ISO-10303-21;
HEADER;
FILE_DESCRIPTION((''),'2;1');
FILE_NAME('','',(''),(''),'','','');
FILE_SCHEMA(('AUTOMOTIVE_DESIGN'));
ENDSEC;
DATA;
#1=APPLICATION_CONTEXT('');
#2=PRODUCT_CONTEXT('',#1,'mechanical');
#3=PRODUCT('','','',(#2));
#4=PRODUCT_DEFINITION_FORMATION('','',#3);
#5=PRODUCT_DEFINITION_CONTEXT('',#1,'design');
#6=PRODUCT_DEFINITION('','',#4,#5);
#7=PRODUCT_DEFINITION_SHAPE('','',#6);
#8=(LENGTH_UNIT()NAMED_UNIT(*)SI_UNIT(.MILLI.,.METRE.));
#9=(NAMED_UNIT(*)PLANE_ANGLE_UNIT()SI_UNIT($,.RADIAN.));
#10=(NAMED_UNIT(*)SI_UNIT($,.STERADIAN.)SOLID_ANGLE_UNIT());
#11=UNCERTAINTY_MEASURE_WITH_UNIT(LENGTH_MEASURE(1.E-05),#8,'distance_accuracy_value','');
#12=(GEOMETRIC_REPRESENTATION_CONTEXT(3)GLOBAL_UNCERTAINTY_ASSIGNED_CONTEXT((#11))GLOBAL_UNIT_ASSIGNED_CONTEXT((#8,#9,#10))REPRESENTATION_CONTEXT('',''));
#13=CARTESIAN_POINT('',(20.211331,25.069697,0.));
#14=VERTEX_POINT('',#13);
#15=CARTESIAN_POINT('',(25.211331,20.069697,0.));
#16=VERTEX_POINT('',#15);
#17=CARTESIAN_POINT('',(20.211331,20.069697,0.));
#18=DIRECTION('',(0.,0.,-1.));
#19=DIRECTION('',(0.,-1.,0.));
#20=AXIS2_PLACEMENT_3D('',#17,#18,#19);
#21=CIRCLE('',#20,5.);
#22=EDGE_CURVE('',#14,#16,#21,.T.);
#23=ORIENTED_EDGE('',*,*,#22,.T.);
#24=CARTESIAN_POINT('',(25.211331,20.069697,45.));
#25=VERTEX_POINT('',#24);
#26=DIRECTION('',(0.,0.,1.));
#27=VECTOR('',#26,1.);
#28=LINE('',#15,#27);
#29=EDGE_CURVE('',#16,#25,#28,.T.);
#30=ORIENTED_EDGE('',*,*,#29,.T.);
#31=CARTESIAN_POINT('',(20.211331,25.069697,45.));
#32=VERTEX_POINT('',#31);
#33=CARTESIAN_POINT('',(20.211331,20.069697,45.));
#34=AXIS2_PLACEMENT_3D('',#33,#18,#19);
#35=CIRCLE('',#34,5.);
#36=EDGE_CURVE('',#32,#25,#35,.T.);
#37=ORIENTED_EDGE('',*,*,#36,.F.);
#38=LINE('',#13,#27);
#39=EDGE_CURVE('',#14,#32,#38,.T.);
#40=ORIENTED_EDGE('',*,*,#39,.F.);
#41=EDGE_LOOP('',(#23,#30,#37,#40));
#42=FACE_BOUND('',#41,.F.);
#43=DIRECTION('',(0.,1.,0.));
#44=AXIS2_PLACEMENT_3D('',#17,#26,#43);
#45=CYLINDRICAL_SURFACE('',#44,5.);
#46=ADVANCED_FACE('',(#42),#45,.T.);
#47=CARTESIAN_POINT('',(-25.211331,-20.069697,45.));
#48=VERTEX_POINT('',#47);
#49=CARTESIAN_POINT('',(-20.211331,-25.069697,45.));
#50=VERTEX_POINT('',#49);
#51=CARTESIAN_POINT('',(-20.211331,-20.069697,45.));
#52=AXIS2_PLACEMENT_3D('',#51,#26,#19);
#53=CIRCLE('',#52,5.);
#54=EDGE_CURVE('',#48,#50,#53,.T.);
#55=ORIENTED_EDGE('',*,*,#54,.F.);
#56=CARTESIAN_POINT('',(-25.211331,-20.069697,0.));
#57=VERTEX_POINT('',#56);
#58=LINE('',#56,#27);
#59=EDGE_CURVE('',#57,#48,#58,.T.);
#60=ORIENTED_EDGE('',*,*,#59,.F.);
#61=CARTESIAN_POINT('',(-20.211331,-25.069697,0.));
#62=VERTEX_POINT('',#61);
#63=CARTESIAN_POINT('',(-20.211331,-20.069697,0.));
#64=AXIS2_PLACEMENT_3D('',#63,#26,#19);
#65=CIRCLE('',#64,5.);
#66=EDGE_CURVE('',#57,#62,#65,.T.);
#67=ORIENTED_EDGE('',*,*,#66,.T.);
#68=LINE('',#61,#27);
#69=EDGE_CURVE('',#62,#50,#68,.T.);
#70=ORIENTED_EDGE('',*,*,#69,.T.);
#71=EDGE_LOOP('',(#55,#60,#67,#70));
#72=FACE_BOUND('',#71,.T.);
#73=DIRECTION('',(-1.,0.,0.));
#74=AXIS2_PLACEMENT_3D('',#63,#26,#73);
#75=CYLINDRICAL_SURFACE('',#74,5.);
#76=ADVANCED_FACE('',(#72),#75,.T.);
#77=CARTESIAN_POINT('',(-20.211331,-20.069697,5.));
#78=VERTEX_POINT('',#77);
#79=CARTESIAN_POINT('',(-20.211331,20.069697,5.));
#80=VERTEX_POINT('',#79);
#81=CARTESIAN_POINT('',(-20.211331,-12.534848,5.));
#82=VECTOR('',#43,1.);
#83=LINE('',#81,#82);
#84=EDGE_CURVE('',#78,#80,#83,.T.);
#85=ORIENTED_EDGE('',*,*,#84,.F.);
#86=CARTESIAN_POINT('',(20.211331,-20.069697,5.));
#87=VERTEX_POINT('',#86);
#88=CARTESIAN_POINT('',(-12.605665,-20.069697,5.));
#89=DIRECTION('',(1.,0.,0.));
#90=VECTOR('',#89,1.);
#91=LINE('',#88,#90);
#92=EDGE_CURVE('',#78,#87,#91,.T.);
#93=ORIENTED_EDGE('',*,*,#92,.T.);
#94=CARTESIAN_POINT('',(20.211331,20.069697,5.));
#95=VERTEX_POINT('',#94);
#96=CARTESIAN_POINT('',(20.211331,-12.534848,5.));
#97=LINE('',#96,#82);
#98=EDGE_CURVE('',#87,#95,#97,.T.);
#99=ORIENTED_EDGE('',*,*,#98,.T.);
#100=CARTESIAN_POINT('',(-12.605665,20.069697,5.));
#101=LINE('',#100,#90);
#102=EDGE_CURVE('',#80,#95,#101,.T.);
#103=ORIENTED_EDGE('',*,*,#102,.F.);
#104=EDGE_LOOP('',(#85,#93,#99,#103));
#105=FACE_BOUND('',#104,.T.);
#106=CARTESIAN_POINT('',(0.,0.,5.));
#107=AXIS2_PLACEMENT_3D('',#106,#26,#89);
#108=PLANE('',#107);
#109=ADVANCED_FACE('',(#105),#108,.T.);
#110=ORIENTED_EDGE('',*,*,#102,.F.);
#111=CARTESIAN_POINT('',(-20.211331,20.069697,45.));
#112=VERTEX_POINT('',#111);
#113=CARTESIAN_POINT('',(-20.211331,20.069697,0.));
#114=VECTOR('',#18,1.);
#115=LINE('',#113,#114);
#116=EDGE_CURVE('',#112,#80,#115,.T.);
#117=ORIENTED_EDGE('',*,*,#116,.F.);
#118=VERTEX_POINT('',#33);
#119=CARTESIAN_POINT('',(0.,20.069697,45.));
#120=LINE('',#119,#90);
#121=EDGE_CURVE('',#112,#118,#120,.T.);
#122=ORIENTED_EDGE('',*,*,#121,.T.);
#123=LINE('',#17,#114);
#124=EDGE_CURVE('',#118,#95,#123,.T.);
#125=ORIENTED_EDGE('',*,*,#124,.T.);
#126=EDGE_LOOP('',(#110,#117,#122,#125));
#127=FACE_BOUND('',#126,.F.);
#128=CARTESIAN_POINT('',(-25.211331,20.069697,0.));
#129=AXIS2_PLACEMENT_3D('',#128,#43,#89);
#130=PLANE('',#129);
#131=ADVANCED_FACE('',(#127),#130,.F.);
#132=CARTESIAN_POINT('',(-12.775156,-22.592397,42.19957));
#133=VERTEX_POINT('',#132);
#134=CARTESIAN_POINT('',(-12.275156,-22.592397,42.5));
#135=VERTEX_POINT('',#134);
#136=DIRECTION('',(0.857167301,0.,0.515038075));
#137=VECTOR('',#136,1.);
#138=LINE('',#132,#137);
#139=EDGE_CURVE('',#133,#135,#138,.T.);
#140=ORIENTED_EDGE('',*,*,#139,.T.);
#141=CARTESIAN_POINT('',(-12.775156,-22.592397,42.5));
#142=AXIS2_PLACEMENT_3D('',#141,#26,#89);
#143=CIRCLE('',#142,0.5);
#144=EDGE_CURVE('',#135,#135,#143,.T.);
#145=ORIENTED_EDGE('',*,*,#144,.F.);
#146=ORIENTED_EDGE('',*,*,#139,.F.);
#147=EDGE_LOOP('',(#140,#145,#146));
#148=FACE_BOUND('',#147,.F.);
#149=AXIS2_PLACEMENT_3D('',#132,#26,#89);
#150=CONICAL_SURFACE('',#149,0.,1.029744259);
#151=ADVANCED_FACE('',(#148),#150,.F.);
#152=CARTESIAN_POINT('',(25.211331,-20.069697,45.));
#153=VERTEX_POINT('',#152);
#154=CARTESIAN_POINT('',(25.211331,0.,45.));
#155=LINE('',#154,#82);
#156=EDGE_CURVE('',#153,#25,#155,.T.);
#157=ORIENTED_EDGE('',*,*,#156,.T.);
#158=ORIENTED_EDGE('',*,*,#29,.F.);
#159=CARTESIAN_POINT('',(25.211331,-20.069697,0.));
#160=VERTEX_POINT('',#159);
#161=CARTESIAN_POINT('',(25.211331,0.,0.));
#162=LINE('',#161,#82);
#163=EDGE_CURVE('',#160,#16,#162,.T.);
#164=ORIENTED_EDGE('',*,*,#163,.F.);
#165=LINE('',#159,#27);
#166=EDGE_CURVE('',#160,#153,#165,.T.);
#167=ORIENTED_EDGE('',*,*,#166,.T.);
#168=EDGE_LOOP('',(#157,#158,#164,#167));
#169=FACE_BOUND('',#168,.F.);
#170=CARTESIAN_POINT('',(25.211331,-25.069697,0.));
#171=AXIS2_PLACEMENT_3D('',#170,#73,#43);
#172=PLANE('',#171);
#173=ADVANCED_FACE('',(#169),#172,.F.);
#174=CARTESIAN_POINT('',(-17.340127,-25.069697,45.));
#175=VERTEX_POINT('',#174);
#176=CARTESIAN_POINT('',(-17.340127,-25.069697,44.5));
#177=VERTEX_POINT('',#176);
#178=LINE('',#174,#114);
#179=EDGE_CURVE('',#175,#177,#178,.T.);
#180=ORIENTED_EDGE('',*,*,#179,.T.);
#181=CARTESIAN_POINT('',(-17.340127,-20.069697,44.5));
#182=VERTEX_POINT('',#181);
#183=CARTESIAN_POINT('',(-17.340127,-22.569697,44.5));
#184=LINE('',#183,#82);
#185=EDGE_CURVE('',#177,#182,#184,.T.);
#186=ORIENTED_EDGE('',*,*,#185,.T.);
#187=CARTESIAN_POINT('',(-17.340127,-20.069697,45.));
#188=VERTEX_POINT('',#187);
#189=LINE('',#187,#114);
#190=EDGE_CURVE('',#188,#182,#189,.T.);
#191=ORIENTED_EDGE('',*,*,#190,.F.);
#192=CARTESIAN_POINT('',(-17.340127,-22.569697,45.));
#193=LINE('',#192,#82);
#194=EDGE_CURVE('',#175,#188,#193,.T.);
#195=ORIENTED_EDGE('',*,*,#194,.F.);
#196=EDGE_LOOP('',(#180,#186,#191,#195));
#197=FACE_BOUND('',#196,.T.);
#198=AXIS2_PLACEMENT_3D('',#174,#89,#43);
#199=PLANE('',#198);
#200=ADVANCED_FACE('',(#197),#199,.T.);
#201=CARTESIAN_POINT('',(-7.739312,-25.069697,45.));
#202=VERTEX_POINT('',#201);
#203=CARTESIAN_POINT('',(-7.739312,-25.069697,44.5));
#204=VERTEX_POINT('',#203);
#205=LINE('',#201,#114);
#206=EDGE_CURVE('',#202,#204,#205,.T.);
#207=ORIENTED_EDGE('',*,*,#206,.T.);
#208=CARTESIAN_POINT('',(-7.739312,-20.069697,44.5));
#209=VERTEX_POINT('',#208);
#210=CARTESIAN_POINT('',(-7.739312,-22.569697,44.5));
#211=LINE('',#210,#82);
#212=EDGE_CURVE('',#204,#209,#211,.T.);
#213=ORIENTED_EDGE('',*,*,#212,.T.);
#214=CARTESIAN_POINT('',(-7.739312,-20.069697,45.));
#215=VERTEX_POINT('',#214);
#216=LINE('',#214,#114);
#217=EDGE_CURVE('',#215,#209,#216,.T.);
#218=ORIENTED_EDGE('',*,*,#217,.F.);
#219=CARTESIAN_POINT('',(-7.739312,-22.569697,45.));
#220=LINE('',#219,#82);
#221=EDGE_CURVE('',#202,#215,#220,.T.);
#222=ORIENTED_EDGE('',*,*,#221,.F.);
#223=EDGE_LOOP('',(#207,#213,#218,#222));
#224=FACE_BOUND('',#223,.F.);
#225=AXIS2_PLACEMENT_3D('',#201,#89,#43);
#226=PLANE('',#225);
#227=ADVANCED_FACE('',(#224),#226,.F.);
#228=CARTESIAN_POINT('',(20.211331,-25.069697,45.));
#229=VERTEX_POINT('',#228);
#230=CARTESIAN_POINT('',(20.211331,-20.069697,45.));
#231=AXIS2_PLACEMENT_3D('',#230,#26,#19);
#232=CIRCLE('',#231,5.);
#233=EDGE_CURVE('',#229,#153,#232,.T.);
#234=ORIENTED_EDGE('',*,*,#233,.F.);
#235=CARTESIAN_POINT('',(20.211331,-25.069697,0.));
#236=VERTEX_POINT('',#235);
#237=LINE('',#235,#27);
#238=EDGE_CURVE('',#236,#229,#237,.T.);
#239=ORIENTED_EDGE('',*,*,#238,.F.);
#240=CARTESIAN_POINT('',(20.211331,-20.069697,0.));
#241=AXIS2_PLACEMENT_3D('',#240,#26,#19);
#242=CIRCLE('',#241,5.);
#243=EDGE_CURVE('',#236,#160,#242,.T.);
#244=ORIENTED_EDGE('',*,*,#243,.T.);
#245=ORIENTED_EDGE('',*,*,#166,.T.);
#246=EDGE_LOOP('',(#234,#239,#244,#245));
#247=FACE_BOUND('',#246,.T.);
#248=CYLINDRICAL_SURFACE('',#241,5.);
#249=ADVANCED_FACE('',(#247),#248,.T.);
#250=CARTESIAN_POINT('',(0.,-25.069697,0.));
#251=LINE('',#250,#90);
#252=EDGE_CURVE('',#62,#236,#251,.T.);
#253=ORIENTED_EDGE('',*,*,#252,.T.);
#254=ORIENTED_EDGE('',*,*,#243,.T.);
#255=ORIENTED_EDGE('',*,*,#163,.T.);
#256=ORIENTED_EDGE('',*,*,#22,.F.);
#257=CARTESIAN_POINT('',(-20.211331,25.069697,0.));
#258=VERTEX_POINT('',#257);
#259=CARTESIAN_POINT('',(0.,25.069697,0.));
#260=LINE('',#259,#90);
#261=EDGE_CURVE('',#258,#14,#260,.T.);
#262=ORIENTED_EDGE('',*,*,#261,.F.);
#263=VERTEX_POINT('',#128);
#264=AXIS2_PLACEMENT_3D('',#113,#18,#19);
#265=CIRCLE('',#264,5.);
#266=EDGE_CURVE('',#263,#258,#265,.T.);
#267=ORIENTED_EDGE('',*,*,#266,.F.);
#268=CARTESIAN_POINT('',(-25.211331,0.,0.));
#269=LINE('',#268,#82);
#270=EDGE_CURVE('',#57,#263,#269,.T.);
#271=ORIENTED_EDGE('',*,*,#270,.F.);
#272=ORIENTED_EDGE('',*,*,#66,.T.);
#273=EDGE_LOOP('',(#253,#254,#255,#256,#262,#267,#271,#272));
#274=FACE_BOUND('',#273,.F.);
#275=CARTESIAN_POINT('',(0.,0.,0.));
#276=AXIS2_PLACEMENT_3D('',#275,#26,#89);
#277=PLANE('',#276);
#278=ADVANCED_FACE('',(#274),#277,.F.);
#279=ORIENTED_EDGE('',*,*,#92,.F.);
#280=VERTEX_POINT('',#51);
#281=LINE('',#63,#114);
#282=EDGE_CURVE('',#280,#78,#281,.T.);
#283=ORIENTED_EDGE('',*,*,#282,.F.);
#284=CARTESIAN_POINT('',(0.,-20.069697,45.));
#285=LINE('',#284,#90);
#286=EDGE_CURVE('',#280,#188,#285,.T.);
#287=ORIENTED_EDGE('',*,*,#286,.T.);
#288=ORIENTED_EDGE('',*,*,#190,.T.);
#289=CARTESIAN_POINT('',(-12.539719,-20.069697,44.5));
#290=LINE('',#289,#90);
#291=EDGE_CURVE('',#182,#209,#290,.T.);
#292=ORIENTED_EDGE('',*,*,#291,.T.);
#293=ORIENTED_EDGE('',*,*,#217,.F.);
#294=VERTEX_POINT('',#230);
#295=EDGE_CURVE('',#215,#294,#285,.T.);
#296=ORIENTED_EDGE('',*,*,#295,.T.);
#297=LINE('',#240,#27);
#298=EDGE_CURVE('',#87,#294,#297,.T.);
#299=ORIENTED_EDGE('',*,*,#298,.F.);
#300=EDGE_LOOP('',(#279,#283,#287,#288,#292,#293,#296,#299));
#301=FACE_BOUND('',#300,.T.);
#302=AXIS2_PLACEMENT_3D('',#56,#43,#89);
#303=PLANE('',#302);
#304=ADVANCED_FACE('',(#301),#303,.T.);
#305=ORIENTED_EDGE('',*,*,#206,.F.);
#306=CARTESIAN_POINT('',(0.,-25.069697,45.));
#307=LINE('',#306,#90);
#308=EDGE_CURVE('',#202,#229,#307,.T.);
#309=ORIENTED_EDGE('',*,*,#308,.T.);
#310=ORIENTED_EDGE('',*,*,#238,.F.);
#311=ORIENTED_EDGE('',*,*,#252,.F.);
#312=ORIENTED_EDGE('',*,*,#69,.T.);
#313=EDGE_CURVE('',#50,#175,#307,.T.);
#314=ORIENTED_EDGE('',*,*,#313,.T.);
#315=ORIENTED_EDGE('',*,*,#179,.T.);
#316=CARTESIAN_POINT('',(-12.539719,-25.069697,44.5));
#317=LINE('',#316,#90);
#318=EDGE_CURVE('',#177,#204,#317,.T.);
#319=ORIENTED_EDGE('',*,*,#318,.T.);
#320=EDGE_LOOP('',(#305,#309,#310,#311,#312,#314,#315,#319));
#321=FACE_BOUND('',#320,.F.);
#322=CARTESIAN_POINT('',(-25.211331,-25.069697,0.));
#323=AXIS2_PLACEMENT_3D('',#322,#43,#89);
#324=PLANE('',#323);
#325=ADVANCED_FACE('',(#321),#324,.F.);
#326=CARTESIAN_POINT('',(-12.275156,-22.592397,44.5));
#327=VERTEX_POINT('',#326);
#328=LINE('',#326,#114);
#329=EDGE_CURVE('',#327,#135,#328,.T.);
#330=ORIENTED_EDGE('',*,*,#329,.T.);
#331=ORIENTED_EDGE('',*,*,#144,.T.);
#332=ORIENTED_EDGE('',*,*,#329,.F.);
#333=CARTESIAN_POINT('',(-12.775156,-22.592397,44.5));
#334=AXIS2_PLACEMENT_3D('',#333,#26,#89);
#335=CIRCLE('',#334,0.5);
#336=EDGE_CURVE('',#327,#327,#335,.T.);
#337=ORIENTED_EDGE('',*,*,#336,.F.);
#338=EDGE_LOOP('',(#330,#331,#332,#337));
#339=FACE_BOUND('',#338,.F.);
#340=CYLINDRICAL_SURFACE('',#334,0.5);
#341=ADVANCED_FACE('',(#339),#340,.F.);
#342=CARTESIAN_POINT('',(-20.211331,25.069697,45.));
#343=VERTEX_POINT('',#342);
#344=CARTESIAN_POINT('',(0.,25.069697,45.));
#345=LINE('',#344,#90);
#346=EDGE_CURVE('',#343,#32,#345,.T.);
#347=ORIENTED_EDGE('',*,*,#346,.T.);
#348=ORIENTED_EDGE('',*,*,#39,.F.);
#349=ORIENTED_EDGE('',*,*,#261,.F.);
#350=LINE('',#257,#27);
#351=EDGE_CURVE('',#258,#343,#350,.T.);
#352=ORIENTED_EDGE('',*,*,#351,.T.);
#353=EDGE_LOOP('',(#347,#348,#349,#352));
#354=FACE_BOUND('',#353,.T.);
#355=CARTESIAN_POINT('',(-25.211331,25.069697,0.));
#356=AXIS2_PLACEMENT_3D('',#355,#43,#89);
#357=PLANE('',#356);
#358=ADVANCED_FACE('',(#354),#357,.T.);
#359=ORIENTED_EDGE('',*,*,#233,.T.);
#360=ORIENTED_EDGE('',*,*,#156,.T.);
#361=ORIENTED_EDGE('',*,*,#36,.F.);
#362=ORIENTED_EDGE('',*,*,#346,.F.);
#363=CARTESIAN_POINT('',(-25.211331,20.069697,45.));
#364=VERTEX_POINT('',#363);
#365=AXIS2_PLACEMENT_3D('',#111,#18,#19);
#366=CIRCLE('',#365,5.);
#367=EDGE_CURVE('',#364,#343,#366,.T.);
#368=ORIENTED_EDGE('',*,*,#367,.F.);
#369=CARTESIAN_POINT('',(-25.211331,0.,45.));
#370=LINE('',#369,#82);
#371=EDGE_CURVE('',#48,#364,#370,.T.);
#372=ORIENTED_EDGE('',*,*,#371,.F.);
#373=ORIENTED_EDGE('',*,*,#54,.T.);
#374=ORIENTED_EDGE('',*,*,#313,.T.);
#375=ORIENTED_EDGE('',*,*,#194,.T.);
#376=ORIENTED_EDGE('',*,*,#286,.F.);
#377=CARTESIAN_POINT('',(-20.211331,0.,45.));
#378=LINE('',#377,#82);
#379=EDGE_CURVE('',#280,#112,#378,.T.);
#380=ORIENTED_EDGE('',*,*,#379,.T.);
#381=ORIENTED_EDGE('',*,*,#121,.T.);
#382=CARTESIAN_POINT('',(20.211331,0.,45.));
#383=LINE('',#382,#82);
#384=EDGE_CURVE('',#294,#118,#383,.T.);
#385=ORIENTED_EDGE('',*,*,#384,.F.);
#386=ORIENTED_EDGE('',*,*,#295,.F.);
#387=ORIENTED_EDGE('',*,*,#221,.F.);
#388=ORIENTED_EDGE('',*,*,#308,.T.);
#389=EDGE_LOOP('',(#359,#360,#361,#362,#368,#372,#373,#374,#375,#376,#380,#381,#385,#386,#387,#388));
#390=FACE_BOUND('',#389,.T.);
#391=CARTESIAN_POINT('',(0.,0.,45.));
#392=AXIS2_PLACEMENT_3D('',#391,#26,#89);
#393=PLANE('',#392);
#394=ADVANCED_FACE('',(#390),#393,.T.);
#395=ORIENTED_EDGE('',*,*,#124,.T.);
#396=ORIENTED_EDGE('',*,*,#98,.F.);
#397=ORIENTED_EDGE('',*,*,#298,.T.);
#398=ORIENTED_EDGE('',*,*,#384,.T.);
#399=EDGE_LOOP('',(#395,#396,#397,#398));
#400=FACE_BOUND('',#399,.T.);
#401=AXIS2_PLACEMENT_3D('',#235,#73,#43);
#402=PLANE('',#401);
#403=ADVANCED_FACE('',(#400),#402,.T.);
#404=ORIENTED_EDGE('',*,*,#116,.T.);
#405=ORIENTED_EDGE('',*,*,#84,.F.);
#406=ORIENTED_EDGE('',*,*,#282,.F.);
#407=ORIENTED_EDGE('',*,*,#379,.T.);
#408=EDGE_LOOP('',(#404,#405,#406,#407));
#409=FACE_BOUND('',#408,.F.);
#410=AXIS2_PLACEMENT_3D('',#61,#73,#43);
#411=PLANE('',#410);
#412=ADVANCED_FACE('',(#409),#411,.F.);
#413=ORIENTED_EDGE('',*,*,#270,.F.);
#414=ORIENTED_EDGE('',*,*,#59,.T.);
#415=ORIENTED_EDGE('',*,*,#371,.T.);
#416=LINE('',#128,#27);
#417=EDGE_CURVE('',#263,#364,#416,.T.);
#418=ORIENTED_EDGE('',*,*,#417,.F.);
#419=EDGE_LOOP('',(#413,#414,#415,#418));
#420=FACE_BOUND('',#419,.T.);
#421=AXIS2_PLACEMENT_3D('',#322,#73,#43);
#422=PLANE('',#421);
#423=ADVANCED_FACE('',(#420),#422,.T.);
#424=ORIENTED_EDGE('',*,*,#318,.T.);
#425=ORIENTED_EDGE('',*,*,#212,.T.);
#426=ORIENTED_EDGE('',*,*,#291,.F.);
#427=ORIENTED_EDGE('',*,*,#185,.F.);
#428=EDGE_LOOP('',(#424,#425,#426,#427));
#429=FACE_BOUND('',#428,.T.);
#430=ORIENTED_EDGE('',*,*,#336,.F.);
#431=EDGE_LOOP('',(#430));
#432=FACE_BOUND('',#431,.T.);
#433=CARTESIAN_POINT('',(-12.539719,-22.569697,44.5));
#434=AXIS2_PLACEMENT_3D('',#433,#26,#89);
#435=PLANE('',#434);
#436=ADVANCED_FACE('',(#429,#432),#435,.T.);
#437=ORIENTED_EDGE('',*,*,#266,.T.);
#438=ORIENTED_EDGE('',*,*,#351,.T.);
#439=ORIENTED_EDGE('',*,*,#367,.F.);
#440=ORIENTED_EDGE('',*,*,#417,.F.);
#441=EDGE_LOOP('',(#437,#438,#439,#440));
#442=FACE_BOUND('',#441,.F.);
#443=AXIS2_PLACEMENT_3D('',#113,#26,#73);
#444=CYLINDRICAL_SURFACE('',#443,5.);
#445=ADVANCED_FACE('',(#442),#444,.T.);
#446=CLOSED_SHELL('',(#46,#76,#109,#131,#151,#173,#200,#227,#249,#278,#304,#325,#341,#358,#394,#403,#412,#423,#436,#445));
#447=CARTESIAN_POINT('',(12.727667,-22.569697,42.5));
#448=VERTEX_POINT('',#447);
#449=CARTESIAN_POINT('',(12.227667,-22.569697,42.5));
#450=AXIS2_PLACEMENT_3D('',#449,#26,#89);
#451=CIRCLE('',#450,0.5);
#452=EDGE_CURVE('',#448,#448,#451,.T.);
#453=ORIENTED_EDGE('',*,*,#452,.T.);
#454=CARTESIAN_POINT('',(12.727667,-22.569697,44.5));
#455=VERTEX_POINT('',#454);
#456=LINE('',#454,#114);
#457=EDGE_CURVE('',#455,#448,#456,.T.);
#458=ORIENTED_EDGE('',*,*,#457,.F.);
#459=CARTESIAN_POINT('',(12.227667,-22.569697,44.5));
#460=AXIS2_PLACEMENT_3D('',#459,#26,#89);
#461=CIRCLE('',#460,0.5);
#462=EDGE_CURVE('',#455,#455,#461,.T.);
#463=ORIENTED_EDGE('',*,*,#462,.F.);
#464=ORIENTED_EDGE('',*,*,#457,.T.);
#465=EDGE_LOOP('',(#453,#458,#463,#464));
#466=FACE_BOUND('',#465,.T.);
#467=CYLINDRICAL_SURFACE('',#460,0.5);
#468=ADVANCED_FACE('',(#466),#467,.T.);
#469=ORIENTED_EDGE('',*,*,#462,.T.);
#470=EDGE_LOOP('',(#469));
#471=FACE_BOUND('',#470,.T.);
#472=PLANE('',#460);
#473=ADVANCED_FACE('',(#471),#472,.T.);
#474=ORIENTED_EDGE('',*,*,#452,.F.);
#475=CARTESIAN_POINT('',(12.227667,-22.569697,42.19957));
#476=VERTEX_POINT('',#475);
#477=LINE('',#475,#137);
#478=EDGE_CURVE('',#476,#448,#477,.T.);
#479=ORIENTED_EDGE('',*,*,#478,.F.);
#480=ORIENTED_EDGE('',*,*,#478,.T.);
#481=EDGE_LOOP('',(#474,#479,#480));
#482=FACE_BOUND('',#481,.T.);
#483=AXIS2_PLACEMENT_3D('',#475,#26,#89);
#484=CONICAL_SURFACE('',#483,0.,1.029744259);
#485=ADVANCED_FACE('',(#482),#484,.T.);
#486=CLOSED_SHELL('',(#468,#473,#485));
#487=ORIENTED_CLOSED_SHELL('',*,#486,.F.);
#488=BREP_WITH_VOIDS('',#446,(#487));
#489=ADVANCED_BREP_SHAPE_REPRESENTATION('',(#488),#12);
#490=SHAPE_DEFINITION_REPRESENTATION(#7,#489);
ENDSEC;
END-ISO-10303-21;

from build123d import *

# Parameters (mm, degrees)
F0_W     = 50.4226610065
F0_H     = 50.1393936574
F1_DEPTH = 45
F2_T     = -5
F3_W     = 9.6008158289
F3_H     = 5
F4_DEPTH = 0.5
F6_D     = 1
F6_DEPTH = 2
F6_TIP   = 0.3004303095
F7_R     = 5


with BuildPart() as f1:
    # F0 (on Top) → F1 (new body)
    with BuildSketch(Plane.XY):
        Rectangle(F0_W, F0_H)
    extrude(amount=F1_DEPTH)

    # F2
    f2_openings = [f1.faces().sort_by_distance(p)[0] for p in [
        (0, 0, 45),
    ]]
    offset(amount=F2_T, openings=f2_openings)

    # F3 (on face) → F4 (cut)
    with BuildSketch(Plane.XY.offset(45)):
        with Locations((-12.5397194643, -22.5696968287)):
            Rectangle(F3_W, F3_H)
    extrude(amount=-F4_DEPTH, mode=Mode.SUBTRACT)

    # F6 (one way)
    with BuildSketch(Plane.XY.offset(44.5)):
        with Locations((-12.7751557156, -22.5923974067), (12.2276665643, -22.5696968287)):
            Circle(F6_D / 2)
    extrude(amount=-F6_DEPTH, mode=Mode.SUBTRACT)
    with Locations(Plane.XY.offset(44.5)):
        with Locations((-12.7751557156, -22.5923974067), (12.2276665643, -22.5696968287)):
            with Locations((0, 0, -(F6_DEPTH + F6_TIP / 2))):  # 118° drill point
                Cone(0, F6_D / 2, F6_TIP, mode=Mode.SUBTRACT)

    # F7
    f7_edges = [f1.edges().sort_by_distance(p)[0] for p in [
        (25.211331, -25.069697, 22.5),
        (-25.211331, -25.069697, 22.5),
        (-25.211331, 25.069697, 22.5),
        (25.211331, 25.069697, 22.5),
    ]]
    fillet(f7_edges, radius=F7_R)


solid = f1.part
